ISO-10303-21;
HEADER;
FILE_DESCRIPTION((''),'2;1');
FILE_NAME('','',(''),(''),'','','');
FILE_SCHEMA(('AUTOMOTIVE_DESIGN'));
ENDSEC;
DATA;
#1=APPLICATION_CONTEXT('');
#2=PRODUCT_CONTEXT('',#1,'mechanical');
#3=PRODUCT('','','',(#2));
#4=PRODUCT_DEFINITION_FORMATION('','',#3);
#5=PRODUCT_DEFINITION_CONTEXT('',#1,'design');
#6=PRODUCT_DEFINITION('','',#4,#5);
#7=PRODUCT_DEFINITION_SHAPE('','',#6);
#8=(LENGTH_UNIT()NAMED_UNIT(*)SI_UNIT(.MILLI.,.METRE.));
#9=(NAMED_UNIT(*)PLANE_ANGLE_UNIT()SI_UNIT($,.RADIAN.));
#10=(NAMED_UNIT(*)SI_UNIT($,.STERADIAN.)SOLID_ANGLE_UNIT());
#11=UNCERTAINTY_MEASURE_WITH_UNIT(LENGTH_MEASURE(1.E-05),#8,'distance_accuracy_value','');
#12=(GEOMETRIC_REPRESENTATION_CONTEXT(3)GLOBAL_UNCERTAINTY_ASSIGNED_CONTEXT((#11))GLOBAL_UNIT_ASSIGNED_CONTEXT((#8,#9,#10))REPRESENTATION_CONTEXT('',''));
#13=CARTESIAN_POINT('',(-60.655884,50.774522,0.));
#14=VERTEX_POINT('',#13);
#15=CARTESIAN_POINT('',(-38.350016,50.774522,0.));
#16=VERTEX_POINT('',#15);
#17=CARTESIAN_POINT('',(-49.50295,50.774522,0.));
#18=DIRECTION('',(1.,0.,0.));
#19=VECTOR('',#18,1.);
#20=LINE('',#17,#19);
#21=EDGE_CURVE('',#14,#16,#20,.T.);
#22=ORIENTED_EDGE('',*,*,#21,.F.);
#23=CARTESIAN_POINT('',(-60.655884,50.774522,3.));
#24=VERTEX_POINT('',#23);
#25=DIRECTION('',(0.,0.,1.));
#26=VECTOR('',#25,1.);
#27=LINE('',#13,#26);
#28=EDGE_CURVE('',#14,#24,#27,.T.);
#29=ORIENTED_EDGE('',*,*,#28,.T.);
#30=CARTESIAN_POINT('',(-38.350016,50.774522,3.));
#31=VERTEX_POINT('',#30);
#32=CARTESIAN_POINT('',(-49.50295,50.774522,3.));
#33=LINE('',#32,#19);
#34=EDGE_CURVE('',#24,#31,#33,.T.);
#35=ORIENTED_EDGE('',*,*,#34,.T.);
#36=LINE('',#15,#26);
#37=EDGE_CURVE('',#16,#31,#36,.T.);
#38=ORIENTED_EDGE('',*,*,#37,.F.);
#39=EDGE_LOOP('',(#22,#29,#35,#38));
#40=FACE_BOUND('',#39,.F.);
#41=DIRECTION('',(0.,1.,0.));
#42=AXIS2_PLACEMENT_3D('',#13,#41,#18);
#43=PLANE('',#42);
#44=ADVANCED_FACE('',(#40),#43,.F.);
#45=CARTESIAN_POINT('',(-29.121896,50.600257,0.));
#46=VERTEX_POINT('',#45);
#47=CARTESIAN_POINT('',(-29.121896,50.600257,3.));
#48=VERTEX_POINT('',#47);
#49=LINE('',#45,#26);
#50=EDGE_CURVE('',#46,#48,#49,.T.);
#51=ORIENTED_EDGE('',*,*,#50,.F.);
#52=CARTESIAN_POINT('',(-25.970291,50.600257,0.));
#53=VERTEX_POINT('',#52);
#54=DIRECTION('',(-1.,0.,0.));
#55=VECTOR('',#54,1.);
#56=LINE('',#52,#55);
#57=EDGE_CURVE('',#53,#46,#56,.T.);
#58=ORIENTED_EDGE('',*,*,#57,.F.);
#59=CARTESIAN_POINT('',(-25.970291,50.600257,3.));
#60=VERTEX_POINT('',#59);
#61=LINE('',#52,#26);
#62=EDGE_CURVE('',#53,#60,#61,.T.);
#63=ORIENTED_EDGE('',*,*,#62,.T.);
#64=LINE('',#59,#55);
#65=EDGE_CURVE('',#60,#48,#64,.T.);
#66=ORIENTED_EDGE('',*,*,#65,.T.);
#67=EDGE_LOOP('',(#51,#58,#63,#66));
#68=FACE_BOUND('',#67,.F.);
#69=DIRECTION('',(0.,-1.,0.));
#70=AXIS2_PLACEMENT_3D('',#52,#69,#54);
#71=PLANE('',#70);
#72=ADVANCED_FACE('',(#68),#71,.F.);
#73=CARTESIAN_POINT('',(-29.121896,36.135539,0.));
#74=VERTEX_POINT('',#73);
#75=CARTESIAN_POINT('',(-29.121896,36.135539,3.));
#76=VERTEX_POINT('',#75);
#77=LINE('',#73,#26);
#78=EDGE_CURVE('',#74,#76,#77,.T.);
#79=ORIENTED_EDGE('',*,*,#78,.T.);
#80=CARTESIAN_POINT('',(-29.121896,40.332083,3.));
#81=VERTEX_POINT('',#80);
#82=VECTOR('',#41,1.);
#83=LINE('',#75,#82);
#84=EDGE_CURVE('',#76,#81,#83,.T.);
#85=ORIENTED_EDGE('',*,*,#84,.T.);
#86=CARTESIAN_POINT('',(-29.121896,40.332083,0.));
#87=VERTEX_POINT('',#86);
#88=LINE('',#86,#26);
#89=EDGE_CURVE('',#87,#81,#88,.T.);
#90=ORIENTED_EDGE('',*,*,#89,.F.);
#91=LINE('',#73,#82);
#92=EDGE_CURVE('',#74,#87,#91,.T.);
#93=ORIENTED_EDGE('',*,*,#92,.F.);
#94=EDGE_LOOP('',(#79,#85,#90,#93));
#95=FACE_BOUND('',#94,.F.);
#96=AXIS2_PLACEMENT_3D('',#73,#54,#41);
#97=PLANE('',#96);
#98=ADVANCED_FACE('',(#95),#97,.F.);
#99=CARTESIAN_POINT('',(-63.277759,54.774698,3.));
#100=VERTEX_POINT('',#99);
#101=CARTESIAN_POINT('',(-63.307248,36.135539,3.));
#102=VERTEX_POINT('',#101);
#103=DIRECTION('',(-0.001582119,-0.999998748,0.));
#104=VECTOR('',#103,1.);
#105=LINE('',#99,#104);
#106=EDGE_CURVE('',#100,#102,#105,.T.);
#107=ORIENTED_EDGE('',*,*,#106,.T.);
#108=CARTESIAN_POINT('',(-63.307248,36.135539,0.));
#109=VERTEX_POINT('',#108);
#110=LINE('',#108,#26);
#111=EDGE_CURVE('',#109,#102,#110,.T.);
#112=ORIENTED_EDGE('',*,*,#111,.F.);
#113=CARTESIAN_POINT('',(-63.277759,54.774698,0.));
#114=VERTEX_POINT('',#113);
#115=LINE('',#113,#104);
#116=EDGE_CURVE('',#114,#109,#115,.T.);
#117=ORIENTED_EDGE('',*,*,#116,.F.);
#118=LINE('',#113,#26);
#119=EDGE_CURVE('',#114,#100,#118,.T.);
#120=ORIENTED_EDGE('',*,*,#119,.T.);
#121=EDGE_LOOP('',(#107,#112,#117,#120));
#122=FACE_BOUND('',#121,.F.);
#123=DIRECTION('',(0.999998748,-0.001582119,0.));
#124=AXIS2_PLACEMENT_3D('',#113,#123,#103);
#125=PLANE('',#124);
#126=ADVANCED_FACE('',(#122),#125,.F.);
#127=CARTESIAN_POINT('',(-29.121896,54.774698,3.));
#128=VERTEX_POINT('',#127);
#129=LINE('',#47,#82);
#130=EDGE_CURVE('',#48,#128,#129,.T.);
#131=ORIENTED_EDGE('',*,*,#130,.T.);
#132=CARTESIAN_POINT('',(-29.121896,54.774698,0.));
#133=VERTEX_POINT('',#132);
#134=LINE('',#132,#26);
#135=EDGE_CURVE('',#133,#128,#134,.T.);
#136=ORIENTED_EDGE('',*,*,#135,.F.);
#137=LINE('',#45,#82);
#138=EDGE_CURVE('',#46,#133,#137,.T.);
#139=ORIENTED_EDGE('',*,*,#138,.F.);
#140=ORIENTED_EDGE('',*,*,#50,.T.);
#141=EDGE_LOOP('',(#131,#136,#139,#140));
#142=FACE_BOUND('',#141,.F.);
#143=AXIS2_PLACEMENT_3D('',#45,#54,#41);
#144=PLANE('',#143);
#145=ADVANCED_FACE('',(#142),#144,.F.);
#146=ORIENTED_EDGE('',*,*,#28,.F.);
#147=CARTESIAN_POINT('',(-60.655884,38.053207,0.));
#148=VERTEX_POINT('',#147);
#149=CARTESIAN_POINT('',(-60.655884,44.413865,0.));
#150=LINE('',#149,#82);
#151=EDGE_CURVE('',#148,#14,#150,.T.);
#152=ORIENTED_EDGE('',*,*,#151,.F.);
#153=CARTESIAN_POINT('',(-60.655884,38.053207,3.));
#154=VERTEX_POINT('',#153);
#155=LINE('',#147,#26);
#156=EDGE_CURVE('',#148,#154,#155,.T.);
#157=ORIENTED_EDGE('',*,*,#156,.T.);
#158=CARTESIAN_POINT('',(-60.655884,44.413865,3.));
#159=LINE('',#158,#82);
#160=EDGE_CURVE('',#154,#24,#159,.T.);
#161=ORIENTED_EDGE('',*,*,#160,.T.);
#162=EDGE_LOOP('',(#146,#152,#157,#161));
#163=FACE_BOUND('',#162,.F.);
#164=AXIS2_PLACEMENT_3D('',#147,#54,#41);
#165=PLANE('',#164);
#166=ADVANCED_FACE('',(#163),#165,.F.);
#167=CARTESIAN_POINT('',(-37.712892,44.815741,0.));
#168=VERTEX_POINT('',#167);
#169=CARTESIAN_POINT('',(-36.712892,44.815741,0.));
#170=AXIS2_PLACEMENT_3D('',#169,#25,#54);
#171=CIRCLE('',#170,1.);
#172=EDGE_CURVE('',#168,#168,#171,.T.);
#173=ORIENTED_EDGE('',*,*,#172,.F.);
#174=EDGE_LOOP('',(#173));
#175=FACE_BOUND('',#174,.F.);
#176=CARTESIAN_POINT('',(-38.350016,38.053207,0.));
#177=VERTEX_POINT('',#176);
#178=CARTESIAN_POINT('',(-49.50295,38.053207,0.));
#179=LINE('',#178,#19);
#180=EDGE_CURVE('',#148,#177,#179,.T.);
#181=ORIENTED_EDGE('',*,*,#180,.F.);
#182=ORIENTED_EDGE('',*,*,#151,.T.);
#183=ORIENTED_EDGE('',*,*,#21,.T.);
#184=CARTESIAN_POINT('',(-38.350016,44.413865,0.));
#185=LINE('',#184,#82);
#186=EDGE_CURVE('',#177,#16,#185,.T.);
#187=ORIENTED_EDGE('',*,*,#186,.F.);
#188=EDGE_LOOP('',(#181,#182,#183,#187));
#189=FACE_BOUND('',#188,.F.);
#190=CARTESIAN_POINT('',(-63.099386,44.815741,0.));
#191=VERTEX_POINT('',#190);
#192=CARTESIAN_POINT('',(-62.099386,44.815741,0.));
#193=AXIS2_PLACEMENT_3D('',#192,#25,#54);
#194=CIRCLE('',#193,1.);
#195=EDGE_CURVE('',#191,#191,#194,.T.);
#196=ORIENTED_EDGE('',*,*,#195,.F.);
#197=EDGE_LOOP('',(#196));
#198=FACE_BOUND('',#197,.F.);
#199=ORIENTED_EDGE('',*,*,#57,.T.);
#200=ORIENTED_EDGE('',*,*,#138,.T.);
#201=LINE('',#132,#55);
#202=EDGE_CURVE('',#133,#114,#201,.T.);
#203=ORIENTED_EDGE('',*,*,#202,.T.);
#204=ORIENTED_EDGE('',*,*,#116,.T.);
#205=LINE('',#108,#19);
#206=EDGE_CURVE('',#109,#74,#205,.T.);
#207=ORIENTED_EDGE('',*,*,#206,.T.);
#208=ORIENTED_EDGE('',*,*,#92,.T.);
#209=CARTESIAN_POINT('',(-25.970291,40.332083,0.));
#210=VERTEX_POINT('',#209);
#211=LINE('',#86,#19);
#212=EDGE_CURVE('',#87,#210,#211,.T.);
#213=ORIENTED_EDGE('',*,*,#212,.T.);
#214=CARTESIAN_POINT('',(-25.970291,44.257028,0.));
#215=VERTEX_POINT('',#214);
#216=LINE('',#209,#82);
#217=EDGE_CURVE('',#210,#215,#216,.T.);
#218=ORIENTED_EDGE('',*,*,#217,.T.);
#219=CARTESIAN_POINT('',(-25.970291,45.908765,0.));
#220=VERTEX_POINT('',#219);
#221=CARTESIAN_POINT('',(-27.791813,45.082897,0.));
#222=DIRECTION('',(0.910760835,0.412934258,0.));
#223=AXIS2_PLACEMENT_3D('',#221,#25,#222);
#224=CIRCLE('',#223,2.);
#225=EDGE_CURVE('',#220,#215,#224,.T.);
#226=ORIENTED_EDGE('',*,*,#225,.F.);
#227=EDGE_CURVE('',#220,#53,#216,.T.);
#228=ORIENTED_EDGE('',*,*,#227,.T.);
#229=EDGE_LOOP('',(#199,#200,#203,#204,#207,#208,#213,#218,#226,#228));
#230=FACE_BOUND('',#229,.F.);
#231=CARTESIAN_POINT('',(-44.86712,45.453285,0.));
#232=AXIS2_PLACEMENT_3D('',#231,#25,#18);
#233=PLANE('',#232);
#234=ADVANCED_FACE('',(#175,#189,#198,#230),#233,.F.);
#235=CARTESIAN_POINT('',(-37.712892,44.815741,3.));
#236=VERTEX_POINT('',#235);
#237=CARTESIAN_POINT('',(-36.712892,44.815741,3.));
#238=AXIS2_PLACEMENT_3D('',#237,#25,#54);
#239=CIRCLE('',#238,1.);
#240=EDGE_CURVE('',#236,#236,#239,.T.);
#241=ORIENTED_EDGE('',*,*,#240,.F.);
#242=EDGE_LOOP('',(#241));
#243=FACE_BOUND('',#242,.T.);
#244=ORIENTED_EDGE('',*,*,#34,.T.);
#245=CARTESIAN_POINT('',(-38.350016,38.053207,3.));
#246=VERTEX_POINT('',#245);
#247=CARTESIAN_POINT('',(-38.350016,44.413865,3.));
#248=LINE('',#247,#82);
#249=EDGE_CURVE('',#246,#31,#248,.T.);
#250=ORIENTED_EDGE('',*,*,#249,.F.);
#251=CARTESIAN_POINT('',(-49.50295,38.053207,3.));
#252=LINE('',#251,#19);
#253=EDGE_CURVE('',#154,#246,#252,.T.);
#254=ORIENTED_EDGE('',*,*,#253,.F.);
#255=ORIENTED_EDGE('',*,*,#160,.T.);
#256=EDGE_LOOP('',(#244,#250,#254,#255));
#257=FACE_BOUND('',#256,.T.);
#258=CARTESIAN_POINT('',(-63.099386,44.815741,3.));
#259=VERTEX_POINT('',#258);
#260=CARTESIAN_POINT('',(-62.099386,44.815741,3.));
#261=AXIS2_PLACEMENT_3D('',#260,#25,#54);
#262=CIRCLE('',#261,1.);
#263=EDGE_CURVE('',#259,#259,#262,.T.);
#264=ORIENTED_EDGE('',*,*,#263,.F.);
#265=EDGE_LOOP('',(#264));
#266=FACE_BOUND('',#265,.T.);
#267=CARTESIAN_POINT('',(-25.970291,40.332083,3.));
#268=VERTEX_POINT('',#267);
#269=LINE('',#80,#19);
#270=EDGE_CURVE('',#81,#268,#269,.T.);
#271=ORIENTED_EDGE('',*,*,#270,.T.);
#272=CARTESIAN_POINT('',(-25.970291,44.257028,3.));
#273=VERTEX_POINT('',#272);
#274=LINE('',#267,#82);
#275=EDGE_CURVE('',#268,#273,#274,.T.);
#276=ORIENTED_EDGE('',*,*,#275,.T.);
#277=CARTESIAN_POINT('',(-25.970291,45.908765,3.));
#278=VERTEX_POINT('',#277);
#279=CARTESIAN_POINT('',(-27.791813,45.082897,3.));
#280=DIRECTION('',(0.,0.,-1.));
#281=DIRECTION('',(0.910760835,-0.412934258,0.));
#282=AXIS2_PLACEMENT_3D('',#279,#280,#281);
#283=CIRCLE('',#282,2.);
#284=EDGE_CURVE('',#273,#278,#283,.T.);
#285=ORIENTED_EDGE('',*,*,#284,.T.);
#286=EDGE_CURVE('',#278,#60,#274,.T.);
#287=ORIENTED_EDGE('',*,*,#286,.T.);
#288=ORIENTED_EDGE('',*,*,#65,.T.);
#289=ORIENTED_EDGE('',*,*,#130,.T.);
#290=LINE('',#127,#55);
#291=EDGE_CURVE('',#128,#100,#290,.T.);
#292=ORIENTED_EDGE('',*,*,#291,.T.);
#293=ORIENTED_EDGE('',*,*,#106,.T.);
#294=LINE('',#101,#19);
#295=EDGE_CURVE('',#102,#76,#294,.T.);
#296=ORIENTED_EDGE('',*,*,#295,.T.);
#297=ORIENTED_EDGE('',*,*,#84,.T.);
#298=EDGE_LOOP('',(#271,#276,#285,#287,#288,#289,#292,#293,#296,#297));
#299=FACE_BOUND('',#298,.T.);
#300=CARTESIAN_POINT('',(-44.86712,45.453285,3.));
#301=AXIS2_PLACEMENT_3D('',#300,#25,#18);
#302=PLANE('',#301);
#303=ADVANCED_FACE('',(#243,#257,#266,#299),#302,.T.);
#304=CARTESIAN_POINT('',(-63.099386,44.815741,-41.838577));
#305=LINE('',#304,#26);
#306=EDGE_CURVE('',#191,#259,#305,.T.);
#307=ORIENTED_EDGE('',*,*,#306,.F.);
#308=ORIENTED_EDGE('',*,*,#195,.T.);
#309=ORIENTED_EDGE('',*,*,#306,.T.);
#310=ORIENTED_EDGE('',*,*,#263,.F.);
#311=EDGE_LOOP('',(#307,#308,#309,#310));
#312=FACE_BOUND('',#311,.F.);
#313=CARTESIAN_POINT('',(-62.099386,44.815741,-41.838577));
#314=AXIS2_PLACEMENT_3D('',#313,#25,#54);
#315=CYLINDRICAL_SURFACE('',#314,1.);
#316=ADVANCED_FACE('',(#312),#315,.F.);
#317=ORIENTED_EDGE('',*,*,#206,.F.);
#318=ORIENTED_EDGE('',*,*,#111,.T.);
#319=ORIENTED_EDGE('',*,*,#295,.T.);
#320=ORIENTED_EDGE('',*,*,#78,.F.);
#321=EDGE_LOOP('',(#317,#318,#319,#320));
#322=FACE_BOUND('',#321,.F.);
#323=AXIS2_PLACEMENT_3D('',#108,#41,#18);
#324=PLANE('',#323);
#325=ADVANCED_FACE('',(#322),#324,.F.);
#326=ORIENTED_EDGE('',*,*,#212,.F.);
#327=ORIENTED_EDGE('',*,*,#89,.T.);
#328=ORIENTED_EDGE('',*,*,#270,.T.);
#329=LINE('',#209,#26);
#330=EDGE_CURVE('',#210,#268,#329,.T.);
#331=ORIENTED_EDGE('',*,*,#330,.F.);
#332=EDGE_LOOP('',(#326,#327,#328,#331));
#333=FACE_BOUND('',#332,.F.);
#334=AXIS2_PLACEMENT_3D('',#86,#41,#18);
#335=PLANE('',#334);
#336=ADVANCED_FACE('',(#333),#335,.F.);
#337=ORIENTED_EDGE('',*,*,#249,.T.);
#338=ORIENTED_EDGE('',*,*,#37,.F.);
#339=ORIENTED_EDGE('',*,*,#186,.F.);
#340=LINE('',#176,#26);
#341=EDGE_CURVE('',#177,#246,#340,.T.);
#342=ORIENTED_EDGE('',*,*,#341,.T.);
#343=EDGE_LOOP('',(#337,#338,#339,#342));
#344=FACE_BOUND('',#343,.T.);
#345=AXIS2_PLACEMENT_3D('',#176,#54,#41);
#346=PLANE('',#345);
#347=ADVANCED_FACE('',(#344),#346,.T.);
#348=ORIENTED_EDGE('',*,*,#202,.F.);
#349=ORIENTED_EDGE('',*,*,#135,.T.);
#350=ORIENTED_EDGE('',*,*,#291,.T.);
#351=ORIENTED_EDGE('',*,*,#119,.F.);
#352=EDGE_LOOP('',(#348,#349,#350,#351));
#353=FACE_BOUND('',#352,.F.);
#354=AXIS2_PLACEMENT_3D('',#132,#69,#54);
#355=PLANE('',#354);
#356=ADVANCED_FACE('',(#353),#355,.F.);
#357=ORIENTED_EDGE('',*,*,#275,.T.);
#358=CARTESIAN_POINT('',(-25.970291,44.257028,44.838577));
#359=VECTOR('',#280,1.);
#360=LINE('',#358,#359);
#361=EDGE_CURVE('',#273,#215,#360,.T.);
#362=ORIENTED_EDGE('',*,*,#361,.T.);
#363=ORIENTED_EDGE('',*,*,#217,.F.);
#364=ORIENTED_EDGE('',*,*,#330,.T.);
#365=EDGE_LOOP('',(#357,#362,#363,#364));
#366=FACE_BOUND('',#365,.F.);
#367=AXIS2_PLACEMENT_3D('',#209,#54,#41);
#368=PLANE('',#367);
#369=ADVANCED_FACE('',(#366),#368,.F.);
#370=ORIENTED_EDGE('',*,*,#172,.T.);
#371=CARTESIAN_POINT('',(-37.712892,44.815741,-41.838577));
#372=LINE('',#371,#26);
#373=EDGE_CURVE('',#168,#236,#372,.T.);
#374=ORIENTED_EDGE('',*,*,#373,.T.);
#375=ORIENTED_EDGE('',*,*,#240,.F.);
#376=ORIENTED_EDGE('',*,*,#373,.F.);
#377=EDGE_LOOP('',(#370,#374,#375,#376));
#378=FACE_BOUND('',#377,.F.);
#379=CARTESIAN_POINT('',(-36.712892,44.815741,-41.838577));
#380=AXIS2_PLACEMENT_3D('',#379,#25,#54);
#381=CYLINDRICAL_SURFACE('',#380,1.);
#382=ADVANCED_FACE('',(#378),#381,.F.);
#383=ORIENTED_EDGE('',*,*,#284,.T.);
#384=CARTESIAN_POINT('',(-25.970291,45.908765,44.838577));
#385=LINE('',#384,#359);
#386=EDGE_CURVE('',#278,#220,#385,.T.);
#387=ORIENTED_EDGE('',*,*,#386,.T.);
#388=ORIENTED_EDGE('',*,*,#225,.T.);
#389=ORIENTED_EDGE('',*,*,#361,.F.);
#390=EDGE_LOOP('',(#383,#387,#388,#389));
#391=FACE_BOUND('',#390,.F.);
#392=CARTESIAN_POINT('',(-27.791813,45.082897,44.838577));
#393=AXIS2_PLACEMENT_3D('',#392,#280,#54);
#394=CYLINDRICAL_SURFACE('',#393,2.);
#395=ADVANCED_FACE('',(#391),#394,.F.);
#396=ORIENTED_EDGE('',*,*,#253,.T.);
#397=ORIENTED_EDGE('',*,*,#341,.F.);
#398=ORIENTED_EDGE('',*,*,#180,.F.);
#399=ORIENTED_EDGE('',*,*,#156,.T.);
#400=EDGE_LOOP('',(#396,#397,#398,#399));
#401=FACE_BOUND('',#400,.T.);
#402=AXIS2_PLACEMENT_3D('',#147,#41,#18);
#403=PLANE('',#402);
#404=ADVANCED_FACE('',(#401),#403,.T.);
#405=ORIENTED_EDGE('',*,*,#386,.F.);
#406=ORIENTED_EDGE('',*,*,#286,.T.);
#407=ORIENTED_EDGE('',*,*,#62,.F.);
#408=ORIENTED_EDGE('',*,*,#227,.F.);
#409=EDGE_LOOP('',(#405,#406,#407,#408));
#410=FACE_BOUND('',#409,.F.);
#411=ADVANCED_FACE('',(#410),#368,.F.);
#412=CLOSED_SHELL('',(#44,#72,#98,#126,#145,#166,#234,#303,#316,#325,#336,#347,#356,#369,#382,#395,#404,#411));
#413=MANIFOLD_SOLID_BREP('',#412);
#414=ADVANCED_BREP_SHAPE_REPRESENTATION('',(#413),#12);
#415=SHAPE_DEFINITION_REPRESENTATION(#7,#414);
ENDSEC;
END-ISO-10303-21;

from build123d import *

# Parameters (mm, degrees)
F0_R     = 1.1224142381
F0_W     = 22.305868566
F0_H     = 12.7213150263
F0_R_2   = 0.6302857898
F0_R_3   = 1.6961440054
F1_DEPTH = 3
F2_D     = 2
F3_D     = 2
F5_D     = 4


with BuildPart() as f1:
    # F0 (on Top) → F1 (new body)
    with BuildSketch(Plane.XY):
        Polygon((-29.121896252, 54.77469787), (-63.2777586579, 54.77469787), (-63.3072480559, 36.1355394125), (-29.121896252, 36.1355394125), (-29.121896252, 40.332082659), (-25.9702913463, 40.332082659), (-25.9702913463, 50.6002567708), (-29.121896252, 50.6002567708), align=None)
        with Locations((-62.0993860066, 44.8157414794)):
            Circle(F0_R, mode=Mode.SUBTRACT)
        with Locations((-49.5029501617, 44.4138646126)):
            Rectangle(F0_W, F0_H, mode=Mode.SUBTRACT)
        with Locations((-36.7128923535, 44.8157414794)):
            Circle(F0_R_2, mode=Mode.SUBTRACT)
        with Locations((-29.121896252, 45.4661697149)):
            Circle(F0_R_3, mode=Mode.SUBTRACT)
        with Locations((-29.121896252, 45.4661697149)):
            Circle(F0_R_3)
        with Locations((-62.0993860066, 44.8157414794)):
            Circle(F0_R)
        with Locations((-36.7128923535, 44.8157414794)):
            Circle(F0_R_2)
    extrude(amount=F1_DEPTH)

    # F2 (through all)
    with Locations(Plane(origin=(0, 0, 0), x_dir=(1, 0, 0), z_dir=(0, 0, -1))):
        with Locations((-62.0993860066, -44.8157414794)):
            Hole(F2_D / 2)

    # F3 (through all)
    with Locations(Plane(origin=(0, 0, 0), x_dir=(1, 0, 0), z_dir=(0, 0, -1))):
        with Locations((-36.7128923535, -44.8157414794)):
            Hole(F3_D / 2)

    # F5 (through all)
    with Locations(Plane.XY.offset(3)):
        with Locations((-27.7918130159, 45.0828969479)):
            Hole(F5_D / 2)


solid = f1.part
